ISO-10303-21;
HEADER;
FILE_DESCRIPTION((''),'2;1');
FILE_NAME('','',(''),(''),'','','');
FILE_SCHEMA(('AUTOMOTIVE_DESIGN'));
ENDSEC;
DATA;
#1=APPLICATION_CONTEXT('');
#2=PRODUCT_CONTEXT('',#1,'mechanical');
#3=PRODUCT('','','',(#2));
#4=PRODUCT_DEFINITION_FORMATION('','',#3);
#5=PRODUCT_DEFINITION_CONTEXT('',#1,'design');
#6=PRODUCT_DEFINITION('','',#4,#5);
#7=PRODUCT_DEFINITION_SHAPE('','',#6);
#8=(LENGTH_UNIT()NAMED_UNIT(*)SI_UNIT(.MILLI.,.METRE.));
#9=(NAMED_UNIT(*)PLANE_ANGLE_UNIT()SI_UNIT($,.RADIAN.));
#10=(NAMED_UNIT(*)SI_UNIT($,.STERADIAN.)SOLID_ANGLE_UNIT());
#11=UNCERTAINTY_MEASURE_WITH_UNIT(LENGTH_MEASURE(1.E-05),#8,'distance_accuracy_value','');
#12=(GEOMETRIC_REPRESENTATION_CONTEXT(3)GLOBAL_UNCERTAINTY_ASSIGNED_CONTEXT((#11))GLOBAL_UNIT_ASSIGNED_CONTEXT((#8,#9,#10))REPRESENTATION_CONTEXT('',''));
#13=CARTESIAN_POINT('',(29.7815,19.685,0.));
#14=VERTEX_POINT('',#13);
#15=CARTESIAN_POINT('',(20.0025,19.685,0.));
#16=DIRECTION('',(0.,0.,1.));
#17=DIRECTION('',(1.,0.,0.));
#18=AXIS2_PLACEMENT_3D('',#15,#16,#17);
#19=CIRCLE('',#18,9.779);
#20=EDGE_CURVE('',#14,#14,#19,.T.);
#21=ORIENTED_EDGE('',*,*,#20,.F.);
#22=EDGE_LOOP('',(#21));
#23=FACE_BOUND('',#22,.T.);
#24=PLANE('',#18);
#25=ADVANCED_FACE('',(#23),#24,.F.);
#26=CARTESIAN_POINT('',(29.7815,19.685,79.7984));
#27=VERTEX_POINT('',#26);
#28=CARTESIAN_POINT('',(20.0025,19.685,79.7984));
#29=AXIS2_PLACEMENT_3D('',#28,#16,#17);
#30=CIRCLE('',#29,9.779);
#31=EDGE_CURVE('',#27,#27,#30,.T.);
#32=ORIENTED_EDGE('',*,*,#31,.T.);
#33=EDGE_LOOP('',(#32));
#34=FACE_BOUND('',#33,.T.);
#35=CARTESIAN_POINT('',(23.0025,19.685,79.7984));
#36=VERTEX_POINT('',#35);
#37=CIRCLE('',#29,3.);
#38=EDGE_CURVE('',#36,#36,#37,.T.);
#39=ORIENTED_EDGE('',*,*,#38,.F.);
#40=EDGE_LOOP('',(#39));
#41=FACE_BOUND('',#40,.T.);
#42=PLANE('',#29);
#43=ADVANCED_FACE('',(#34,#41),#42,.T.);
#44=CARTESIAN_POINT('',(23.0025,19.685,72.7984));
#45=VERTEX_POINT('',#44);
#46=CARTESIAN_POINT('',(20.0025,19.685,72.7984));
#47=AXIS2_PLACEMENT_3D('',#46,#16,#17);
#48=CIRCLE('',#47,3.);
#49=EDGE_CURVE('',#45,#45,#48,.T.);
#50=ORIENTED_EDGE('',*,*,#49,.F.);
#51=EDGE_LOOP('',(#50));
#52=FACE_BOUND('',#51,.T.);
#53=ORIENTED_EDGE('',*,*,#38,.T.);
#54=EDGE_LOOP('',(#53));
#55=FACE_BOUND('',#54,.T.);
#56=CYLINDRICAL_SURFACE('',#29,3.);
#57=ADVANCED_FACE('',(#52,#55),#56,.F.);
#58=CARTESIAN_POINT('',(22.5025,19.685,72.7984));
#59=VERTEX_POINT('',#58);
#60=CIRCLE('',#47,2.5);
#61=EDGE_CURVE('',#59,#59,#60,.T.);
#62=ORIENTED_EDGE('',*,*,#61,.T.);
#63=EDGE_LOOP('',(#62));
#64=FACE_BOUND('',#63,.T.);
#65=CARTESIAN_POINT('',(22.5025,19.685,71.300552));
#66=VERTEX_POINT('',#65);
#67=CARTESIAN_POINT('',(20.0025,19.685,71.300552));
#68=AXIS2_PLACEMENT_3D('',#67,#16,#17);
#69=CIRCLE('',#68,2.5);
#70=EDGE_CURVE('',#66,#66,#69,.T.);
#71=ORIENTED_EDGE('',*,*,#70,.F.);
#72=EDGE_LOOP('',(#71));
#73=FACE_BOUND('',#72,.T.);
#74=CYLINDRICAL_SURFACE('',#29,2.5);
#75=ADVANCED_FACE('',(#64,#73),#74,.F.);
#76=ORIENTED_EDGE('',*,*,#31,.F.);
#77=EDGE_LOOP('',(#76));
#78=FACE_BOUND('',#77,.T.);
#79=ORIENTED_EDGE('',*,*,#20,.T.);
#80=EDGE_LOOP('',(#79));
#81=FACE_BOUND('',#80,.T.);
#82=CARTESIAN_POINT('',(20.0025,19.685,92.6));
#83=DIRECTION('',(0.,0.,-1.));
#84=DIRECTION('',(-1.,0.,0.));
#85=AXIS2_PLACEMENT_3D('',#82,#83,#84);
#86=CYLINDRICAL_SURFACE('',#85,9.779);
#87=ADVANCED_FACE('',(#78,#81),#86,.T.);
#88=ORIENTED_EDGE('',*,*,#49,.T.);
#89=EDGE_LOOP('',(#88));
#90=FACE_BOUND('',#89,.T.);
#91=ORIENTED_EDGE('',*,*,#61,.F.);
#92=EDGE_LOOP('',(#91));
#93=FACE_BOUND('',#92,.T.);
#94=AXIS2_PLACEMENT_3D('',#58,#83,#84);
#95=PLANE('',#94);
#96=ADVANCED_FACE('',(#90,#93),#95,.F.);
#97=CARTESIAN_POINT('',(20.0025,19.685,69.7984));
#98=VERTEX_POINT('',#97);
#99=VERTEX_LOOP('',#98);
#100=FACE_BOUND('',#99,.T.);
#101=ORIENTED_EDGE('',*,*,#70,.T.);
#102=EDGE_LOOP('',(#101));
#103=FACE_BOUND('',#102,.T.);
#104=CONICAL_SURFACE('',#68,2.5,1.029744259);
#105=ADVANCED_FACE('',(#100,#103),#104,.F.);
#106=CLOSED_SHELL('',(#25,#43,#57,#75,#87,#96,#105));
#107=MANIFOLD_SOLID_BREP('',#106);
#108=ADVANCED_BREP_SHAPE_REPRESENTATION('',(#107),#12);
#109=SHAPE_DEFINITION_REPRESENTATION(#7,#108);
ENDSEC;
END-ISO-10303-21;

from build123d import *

# Parameters (mm, degrees)
SKETCH1_R                   = 9.779
BOSS_EXTRUDE1_DEPTH         = 92.6
SKETCH2_R                   = 3.4925
CUT_EXTRUDE1_DEPTH          = 30.7815
FILLET1_R                   = 0.254
FILLET2_R                   = 0.254
SKETCH3_R                   = 11.060223395
CUT_EXTRUDE2_DEPTH          = 12.8016
M6_TAPPED_HOLE1_D           = 5
M6_TAPPED_HOLE1_DEPTH       = 8.497848452
M6_TAPPED_HOLE1_CBORE_D     = 6
M6_TAPPED_HOLE1_CBORE_DEPTH = 7
M6_TAPPED_HOLE1_TIP         = 1.502151548


with BuildPart() as part:
    # Sketch1 → Boss-Extrude1 (new body)
    with BuildSketch(Plane.XY):
        with Locations((20.0025, 19.685)):
            Circle(SKETCH1_R)
    extrude(amount=BOSS_EXTRUDE1_DEPTH)

    # Sketch2 → Cut-Extrude1 (cut, through all)
    with BuildSketch(Plane(origin=(0, 0, 0), x_dir=(0, 0, -1), z_dir=(1, 0, 0))):
        with Locations((-83.583, 19.685)):
            Circle(SKETCH2_R)
    extrude(amount=CUT_EXTRUDE1_DEPTH, mode=Mode.SUBTRACT)

    # Fillet1
    fillet1_edges = [part.edges().sort_by_distance(p)[0] for p in [
        (29.136572736, 23.1775, 83.583),
        (10.2235, 19.685, 87.075500001),
    ]]
    fillet(fillet1_edges, radius=FILLET1_R)

    # Fillet2
    fillet2_edges = [part.edges().sort_by_distance(p)[0] for p in [
        (10.2235, 19.685, 92.6),
    ]]
    fillet(fillet2_edges, radius=FILLET2_R)

    # Sketch3 → Cut-Extrude2 (cut)
    with BuildSketch(Plane.XY.offset(92.6)):
        with Locations((20.0025, 19.685)):
            Circle(SKETCH3_R)
    extrude(amount=-CUT_EXTRUDE2_DEPTH, mode=Mode.SUBTRACT)

    # M6 Tapped Hole1
    with Locations(Plane(origin=(20.0025, 19.685, 79.7984), x_dir=(1, 0, 0), z_dir=(0, 0, 1))):
        with Locations((0, 0)):
            CounterBoreHole(M6_TAPPED_HOLE1_D / 2, M6_TAPPED_HOLE1_CBORE_D / 2, M6_TAPPED_HOLE1_CBORE_DEPTH, depth=M6_TAPPED_HOLE1_DEPTH)
            with Locations((0, 0, -(M6_TAPPED_HOLE1_DEPTH + M6_TAPPED_HOLE1_TIP / 2))):  # 118° drill point
                Cone(0, M6_TAPPED_HOLE1_D / 2, M6_TAPPED_HOLE1_TIP, mode=Mode.SUBTRACT)


solid = part.part
